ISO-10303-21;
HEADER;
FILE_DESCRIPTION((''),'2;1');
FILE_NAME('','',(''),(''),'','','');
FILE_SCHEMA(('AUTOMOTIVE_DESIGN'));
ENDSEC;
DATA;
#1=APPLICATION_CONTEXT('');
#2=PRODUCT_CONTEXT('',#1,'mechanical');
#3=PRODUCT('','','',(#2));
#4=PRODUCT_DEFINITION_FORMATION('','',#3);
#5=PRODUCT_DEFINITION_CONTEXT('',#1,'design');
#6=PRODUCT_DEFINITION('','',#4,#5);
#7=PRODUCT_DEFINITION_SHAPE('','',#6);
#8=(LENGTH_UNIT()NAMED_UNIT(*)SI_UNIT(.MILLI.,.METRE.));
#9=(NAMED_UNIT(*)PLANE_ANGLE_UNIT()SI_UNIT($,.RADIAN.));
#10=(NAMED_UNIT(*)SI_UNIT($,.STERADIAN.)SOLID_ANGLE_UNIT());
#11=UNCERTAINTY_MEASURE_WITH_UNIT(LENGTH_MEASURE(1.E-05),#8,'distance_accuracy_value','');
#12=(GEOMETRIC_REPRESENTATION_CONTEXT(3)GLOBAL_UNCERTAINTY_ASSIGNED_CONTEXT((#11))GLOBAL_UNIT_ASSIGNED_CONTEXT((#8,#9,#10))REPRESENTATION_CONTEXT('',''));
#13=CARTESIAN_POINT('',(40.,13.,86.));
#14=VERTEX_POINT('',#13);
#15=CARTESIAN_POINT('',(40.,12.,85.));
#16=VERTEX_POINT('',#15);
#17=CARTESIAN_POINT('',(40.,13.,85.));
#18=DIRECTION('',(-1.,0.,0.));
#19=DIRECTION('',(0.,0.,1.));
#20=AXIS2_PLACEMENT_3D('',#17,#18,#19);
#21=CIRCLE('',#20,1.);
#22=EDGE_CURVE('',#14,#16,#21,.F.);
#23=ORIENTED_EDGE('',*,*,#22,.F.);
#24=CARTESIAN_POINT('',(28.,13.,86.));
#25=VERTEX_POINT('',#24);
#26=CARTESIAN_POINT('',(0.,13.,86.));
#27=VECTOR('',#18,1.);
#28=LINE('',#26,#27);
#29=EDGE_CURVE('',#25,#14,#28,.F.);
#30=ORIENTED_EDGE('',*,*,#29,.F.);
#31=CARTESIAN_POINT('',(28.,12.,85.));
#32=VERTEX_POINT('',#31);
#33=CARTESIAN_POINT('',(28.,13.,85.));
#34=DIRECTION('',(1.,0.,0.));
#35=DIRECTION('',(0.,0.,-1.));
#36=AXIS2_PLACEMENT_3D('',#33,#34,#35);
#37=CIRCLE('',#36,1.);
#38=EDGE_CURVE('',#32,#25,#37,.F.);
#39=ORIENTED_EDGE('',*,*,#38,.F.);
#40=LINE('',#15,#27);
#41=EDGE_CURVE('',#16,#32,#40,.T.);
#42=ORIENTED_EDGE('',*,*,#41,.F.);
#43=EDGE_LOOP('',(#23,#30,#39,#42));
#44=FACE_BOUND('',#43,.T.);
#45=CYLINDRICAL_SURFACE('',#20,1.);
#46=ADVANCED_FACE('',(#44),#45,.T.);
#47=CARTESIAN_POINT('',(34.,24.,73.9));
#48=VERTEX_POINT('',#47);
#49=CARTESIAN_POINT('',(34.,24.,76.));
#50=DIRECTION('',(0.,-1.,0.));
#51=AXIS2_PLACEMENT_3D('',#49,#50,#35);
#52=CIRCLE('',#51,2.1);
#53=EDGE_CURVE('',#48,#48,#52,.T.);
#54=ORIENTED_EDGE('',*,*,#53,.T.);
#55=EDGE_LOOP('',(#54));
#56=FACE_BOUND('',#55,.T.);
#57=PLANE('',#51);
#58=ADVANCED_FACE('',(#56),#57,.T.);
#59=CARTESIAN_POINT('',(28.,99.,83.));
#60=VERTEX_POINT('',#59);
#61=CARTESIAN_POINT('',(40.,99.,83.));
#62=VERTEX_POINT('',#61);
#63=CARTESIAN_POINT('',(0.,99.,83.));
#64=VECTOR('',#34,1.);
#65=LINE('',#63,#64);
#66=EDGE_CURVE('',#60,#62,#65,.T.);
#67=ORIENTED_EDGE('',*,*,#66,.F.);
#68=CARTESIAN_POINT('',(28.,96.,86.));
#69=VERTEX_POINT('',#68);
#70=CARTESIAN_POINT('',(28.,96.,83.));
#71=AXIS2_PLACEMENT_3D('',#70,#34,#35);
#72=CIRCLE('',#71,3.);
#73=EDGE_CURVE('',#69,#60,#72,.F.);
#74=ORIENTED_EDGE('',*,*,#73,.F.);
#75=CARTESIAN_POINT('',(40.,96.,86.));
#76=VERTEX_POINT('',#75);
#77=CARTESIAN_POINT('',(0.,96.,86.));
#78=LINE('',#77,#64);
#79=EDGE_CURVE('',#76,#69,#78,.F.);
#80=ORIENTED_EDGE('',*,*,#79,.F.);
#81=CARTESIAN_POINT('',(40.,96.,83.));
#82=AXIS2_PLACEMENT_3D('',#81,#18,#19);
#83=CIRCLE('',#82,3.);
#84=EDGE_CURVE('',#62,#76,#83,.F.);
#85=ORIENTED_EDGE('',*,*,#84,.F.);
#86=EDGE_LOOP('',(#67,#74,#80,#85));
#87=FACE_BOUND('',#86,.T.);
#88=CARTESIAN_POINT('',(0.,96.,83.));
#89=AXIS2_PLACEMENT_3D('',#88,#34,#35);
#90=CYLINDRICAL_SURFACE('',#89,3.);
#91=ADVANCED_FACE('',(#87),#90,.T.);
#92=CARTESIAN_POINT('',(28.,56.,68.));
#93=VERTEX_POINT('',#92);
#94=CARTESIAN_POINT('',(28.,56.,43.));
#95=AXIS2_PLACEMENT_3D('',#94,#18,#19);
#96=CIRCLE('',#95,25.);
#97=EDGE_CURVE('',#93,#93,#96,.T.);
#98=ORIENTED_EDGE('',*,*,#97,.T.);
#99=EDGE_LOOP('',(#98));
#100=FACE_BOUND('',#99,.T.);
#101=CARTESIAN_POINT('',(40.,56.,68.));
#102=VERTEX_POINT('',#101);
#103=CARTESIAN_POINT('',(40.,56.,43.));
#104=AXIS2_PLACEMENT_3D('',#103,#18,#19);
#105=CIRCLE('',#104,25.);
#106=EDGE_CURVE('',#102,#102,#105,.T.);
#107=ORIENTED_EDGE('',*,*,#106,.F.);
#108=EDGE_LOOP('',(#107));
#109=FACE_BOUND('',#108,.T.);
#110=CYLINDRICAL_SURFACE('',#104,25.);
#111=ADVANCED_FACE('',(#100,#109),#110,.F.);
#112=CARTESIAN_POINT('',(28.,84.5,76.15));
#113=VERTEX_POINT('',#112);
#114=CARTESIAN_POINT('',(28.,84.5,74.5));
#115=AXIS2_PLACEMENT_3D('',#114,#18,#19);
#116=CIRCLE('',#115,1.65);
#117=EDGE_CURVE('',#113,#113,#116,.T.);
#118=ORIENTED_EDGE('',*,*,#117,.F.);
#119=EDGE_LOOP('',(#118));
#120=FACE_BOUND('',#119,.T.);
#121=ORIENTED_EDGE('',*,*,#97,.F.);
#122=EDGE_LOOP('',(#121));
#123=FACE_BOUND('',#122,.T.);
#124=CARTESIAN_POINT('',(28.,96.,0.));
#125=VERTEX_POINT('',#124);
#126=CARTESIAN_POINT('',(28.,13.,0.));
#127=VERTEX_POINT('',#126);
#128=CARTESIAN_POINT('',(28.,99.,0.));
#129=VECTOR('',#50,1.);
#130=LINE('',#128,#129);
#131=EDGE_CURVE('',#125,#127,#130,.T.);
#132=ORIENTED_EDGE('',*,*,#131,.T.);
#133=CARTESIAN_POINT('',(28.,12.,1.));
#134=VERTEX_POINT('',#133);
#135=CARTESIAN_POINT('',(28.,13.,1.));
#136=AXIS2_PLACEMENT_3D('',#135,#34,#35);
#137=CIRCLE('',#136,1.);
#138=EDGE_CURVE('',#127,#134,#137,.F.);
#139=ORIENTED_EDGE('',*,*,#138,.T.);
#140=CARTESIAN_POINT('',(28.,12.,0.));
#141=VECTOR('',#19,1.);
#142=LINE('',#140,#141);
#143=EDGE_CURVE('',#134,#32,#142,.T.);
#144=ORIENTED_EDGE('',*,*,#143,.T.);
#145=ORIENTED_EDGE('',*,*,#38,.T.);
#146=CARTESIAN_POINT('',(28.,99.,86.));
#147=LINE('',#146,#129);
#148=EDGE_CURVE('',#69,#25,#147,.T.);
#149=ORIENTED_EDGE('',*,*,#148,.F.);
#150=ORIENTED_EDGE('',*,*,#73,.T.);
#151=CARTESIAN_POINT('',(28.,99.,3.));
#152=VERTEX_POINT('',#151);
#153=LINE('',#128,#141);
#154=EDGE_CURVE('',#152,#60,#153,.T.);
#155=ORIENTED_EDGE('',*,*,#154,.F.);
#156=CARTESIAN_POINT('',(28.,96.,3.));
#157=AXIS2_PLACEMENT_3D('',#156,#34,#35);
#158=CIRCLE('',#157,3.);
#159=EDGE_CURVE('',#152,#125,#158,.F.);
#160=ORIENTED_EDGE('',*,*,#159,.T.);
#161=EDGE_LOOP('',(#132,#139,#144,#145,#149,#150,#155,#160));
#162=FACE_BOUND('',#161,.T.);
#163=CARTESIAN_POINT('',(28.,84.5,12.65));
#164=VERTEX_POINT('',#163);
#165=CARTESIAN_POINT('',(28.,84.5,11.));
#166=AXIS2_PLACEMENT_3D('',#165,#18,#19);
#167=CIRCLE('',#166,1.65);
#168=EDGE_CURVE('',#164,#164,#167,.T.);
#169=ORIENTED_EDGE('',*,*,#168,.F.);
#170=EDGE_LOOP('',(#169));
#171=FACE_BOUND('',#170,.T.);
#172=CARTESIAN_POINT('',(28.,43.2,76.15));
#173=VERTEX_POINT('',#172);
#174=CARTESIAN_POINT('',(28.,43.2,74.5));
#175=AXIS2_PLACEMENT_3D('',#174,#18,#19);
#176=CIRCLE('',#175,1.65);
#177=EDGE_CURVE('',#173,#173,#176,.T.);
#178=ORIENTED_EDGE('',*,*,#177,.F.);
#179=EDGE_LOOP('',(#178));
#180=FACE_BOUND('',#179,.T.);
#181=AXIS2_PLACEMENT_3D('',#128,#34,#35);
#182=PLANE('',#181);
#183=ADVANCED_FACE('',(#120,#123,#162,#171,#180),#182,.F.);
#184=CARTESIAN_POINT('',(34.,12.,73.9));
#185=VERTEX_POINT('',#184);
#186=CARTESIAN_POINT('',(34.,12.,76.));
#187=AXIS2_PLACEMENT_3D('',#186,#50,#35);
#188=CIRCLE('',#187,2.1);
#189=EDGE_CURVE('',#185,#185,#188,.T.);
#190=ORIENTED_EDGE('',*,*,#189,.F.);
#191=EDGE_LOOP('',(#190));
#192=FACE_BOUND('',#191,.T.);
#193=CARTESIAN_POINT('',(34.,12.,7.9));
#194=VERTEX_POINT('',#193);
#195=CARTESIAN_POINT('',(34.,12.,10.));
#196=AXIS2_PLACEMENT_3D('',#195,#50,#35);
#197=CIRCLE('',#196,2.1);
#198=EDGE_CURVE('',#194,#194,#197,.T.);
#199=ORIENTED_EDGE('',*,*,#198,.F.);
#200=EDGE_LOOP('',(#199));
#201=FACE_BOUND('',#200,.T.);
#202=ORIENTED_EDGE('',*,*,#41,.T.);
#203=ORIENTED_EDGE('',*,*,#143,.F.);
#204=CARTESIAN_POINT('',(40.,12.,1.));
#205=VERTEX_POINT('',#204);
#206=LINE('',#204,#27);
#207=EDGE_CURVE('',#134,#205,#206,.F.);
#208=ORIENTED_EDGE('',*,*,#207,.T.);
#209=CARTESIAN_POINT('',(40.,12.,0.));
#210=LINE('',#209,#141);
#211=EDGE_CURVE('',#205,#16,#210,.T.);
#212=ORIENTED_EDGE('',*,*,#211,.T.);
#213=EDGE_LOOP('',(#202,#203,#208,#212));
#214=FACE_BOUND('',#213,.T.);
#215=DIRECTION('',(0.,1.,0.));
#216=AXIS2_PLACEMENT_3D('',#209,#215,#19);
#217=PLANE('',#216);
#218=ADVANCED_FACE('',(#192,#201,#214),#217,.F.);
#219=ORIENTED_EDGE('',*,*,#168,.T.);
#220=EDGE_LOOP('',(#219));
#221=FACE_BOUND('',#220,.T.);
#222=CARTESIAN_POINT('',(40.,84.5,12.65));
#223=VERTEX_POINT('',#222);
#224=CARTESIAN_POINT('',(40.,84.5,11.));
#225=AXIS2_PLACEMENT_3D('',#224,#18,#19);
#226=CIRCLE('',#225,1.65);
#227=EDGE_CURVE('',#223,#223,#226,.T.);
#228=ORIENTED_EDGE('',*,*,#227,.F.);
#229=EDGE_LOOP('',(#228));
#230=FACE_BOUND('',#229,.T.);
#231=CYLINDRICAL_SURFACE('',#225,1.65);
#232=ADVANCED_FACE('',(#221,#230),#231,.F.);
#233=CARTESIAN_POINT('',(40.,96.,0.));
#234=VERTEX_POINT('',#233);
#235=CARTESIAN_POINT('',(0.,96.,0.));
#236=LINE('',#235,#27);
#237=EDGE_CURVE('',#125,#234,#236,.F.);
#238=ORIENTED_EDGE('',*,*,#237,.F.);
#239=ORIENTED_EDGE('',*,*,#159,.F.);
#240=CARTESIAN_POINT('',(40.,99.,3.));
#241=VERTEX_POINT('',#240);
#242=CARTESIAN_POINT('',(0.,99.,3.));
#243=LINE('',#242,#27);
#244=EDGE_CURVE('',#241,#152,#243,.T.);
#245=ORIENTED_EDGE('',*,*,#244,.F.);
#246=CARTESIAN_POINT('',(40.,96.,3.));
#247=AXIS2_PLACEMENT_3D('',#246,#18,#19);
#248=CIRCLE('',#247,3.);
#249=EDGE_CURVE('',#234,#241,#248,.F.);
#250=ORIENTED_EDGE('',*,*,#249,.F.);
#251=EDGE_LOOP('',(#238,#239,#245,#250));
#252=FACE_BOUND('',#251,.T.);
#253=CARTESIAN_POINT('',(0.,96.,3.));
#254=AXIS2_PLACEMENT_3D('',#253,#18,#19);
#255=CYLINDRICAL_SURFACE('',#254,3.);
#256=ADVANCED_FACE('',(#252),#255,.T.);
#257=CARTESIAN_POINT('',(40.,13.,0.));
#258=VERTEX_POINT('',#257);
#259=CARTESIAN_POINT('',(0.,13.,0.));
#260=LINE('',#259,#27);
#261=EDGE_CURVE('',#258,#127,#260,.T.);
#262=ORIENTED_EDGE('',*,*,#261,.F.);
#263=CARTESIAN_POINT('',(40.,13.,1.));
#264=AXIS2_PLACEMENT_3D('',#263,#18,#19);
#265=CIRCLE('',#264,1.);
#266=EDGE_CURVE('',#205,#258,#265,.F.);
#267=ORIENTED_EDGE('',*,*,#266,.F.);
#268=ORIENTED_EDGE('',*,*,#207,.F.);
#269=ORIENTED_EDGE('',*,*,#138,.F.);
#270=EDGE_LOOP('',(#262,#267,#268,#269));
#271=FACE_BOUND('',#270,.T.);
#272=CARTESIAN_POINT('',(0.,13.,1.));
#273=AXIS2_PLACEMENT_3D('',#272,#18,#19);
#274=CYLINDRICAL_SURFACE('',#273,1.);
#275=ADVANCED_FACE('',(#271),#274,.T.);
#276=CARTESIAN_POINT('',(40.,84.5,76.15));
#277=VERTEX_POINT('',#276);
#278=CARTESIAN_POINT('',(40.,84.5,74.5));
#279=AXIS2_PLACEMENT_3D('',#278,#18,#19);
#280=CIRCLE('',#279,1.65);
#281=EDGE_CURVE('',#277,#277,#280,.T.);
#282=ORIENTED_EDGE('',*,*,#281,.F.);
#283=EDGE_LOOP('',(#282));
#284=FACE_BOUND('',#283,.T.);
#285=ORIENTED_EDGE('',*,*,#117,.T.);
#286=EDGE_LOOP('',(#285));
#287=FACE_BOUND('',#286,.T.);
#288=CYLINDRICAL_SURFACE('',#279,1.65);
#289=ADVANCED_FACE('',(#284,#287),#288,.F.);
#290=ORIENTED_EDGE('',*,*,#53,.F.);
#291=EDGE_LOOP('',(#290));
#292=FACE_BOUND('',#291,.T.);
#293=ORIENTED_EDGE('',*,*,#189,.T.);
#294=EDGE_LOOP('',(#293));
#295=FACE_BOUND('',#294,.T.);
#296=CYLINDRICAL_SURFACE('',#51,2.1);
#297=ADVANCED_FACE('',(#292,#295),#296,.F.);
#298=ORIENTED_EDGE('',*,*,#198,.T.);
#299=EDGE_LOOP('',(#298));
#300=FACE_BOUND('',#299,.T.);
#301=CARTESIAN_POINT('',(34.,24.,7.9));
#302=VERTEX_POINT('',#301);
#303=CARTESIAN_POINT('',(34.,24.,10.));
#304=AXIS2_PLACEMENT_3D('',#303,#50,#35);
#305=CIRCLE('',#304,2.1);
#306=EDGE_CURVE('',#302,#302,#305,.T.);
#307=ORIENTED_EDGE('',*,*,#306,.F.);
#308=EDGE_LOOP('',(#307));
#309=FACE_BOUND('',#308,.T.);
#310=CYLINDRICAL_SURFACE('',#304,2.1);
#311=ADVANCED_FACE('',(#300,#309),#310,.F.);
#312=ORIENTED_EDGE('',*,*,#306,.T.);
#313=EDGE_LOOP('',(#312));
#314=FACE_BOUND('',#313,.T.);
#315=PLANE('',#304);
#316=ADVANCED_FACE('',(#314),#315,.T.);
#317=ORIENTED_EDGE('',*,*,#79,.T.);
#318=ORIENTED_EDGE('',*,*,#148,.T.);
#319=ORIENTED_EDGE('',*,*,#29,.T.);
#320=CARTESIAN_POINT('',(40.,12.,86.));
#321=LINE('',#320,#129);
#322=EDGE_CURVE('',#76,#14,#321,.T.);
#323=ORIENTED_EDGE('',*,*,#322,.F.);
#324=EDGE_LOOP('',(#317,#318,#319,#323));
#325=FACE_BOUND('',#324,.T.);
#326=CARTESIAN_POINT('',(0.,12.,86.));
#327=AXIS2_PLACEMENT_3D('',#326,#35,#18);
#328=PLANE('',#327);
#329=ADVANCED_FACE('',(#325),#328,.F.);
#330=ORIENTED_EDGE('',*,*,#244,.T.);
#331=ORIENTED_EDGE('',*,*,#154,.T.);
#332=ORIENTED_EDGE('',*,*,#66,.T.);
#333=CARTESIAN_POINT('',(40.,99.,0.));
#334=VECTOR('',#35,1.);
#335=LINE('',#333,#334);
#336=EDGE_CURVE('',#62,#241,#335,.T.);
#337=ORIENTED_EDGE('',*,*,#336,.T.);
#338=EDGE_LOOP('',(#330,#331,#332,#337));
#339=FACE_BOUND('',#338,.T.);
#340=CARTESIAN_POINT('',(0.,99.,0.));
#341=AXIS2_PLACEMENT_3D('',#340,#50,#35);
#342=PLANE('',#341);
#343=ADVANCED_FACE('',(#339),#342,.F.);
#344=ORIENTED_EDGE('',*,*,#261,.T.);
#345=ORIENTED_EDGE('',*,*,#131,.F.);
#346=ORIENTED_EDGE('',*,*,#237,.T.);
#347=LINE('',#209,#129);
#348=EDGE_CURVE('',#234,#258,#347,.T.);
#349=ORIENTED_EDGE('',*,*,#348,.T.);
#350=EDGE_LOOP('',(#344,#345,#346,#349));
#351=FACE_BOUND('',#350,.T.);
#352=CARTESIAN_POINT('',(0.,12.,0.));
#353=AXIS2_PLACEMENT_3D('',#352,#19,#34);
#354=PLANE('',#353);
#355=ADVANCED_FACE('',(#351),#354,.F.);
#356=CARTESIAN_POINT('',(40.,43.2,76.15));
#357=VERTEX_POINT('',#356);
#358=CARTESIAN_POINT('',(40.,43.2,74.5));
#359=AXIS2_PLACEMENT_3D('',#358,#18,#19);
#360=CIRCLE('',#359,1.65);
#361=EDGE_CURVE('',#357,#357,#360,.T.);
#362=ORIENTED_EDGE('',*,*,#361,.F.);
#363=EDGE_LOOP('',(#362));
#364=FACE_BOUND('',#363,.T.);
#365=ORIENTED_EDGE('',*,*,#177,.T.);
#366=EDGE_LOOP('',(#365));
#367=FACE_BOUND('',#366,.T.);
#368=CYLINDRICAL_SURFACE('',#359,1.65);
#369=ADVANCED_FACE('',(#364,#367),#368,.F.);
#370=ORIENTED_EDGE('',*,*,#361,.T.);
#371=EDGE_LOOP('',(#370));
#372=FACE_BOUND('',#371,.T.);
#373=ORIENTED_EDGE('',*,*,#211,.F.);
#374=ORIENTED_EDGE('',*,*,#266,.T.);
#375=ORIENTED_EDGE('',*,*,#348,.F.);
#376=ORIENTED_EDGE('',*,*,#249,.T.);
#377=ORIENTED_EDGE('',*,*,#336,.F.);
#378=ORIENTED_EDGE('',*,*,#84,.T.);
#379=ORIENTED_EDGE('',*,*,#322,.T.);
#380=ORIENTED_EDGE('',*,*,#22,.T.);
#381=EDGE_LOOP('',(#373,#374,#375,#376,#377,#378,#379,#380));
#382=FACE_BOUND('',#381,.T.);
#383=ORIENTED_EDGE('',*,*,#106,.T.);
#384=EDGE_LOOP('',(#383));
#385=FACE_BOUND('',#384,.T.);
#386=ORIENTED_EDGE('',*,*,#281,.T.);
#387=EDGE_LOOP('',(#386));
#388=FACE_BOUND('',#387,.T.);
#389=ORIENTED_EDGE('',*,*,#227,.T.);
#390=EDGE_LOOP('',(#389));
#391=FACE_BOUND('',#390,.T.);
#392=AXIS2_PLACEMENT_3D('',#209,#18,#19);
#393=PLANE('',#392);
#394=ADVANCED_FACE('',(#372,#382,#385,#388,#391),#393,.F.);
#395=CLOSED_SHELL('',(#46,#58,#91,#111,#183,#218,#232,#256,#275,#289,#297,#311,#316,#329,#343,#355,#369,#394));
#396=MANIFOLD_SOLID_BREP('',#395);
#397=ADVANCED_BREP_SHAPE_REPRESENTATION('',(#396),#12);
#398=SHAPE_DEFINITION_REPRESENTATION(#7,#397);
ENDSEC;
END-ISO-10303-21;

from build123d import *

# Parameters (mm, degrees)
SKETCH1_W           = 40
SKETCH1_H           = 86
BOSS_EXTRUDE1_DEPTH = 12
SKETCH2_W           = 12
SKETCH2_H           = 86
BOSS_EXTRUDE2_DEPTH = 87
SKETCH3_R           = 3
CUT_EXTRUDE1_DEPTH  = 13
SKETCH5_R           = 1.65
CUT_EXTRUDE3_DEPTH  = 13
FILLET1_R           = 3
SKETCH6_R           = 25
CUT_EXTRUDE4_DEPTH  = 13
SKETCH7_W           = 40
SKETCH7_H           = 12
CUT_EXTRUDE5_DEPTH  = 87
SKETCH8_R           = 2.1
CUT_EXTRUDE6_DEPTH  = 12
FILLET2_R           = 1


with BuildPart() as part:
    # Sketch1 → Boss-Extrude1 (new body)
    with BuildSketch(Plane(origin=(0, 0, 0), x_dir=(1, 0, 0), z_dir=(0, 1, 0))):
        with Locations((20, -43)):
            Rectangle(SKETCH1_W, SKETCH1_H)
    extrude(amount=BOSS_EXTRUDE1_DEPTH)

    # Sketch2 → Boss-Extrude2 (add)
    with BuildSketch(Plane(origin=(0, 12, 0), x_dir=(1, 0, 0), z_dir=(0, 1, 0))):
        with Locations((34, -43)):
            Rectangle(SKETCH2_W, SKETCH2_H)
    extrude(amount=BOSS_EXTRUDE2_DEPTH)

    # Sketch3 → Cut-Extrude1 (cut, through all)
    with BuildSketch(Plane(origin=(0, 12, 0), x_dir=(1, 0, 0), z_dir=(0, 1, 0))):
        with Locations((14, -8.4)):
            Circle(SKETCH3_R)
        with Locations((14, -77.6)):
            Circle(SKETCH3_R)
    extrude(amount=-CUT_EXTRUDE1_DEPTH, mode=Mode.SUBTRACT)

    # Sketch5 → Cut-Extrude3 (cut, through all)
    with BuildSketch(Plane.ZY.offset(-28)):
        with Locations((74.5, 84.5)):
            Circle(SKETCH5_R)
        with Locations((74.5, 43.2)):
            Circle(SKETCH5_R)
        with Locations((11, 84.5)):
            Circle(SKETCH5_R)
    extrude(amount=-CUT_EXTRUDE3_DEPTH, mode=Mode.SUBTRACT)

    # Fillet1
    fillet1_edges = [part.edges().sort_by_distance(p)[0] for p in [
        (34, 99, 0),
        (34, 99, 86),
    ]]
    fillet(fillet1_edges, radius=FILLET1_R)

    # Sketch6 → Cut-Extrude4 (cut, through all)
    with BuildSketch(Plane.ZY.offset(-28)):
        with Locations((43, 56)):
            Circle(SKETCH6_R)
    extrude(amount=-CUT_EXTRUDE4_DEPTH, mode=Mode.SUBTRACT)

    # Sketch7 → Cut-Extrude5 (cut, through all)
    with BuildSketch(Plane.XY.offset(86)):
        with Locations((20, 6)):
            Rectangle(SKETCH7_W, SKETCH7_H)
    extrude(amount=-CUT_EXTRUDE5_DEPTH, mode=Mode.SUBTRACT)

    # Sketch8 → Cut-Extrude6 (cut)
    with BuildSketch(Plane.XZ.offset(-12)):
        with Locations((34, 76)):
            Circle(SKETCH8_R)
        with Locations((34, 10)):
            Circle(SKETCH8_R)
    extrude(amount=-CUT_EXTRUDE6_DEPTH, mode=Mode.SUBTRACT)

    # Fillet2
    fillet2_edges = [part.edges().sort_by_distance(p)[0] for p in [
        (34, 12, 0),
        (34, 12, 86),
    ]]
    fillet(fillet2_edges, radius=FILLET2_R)


solid = part.part
